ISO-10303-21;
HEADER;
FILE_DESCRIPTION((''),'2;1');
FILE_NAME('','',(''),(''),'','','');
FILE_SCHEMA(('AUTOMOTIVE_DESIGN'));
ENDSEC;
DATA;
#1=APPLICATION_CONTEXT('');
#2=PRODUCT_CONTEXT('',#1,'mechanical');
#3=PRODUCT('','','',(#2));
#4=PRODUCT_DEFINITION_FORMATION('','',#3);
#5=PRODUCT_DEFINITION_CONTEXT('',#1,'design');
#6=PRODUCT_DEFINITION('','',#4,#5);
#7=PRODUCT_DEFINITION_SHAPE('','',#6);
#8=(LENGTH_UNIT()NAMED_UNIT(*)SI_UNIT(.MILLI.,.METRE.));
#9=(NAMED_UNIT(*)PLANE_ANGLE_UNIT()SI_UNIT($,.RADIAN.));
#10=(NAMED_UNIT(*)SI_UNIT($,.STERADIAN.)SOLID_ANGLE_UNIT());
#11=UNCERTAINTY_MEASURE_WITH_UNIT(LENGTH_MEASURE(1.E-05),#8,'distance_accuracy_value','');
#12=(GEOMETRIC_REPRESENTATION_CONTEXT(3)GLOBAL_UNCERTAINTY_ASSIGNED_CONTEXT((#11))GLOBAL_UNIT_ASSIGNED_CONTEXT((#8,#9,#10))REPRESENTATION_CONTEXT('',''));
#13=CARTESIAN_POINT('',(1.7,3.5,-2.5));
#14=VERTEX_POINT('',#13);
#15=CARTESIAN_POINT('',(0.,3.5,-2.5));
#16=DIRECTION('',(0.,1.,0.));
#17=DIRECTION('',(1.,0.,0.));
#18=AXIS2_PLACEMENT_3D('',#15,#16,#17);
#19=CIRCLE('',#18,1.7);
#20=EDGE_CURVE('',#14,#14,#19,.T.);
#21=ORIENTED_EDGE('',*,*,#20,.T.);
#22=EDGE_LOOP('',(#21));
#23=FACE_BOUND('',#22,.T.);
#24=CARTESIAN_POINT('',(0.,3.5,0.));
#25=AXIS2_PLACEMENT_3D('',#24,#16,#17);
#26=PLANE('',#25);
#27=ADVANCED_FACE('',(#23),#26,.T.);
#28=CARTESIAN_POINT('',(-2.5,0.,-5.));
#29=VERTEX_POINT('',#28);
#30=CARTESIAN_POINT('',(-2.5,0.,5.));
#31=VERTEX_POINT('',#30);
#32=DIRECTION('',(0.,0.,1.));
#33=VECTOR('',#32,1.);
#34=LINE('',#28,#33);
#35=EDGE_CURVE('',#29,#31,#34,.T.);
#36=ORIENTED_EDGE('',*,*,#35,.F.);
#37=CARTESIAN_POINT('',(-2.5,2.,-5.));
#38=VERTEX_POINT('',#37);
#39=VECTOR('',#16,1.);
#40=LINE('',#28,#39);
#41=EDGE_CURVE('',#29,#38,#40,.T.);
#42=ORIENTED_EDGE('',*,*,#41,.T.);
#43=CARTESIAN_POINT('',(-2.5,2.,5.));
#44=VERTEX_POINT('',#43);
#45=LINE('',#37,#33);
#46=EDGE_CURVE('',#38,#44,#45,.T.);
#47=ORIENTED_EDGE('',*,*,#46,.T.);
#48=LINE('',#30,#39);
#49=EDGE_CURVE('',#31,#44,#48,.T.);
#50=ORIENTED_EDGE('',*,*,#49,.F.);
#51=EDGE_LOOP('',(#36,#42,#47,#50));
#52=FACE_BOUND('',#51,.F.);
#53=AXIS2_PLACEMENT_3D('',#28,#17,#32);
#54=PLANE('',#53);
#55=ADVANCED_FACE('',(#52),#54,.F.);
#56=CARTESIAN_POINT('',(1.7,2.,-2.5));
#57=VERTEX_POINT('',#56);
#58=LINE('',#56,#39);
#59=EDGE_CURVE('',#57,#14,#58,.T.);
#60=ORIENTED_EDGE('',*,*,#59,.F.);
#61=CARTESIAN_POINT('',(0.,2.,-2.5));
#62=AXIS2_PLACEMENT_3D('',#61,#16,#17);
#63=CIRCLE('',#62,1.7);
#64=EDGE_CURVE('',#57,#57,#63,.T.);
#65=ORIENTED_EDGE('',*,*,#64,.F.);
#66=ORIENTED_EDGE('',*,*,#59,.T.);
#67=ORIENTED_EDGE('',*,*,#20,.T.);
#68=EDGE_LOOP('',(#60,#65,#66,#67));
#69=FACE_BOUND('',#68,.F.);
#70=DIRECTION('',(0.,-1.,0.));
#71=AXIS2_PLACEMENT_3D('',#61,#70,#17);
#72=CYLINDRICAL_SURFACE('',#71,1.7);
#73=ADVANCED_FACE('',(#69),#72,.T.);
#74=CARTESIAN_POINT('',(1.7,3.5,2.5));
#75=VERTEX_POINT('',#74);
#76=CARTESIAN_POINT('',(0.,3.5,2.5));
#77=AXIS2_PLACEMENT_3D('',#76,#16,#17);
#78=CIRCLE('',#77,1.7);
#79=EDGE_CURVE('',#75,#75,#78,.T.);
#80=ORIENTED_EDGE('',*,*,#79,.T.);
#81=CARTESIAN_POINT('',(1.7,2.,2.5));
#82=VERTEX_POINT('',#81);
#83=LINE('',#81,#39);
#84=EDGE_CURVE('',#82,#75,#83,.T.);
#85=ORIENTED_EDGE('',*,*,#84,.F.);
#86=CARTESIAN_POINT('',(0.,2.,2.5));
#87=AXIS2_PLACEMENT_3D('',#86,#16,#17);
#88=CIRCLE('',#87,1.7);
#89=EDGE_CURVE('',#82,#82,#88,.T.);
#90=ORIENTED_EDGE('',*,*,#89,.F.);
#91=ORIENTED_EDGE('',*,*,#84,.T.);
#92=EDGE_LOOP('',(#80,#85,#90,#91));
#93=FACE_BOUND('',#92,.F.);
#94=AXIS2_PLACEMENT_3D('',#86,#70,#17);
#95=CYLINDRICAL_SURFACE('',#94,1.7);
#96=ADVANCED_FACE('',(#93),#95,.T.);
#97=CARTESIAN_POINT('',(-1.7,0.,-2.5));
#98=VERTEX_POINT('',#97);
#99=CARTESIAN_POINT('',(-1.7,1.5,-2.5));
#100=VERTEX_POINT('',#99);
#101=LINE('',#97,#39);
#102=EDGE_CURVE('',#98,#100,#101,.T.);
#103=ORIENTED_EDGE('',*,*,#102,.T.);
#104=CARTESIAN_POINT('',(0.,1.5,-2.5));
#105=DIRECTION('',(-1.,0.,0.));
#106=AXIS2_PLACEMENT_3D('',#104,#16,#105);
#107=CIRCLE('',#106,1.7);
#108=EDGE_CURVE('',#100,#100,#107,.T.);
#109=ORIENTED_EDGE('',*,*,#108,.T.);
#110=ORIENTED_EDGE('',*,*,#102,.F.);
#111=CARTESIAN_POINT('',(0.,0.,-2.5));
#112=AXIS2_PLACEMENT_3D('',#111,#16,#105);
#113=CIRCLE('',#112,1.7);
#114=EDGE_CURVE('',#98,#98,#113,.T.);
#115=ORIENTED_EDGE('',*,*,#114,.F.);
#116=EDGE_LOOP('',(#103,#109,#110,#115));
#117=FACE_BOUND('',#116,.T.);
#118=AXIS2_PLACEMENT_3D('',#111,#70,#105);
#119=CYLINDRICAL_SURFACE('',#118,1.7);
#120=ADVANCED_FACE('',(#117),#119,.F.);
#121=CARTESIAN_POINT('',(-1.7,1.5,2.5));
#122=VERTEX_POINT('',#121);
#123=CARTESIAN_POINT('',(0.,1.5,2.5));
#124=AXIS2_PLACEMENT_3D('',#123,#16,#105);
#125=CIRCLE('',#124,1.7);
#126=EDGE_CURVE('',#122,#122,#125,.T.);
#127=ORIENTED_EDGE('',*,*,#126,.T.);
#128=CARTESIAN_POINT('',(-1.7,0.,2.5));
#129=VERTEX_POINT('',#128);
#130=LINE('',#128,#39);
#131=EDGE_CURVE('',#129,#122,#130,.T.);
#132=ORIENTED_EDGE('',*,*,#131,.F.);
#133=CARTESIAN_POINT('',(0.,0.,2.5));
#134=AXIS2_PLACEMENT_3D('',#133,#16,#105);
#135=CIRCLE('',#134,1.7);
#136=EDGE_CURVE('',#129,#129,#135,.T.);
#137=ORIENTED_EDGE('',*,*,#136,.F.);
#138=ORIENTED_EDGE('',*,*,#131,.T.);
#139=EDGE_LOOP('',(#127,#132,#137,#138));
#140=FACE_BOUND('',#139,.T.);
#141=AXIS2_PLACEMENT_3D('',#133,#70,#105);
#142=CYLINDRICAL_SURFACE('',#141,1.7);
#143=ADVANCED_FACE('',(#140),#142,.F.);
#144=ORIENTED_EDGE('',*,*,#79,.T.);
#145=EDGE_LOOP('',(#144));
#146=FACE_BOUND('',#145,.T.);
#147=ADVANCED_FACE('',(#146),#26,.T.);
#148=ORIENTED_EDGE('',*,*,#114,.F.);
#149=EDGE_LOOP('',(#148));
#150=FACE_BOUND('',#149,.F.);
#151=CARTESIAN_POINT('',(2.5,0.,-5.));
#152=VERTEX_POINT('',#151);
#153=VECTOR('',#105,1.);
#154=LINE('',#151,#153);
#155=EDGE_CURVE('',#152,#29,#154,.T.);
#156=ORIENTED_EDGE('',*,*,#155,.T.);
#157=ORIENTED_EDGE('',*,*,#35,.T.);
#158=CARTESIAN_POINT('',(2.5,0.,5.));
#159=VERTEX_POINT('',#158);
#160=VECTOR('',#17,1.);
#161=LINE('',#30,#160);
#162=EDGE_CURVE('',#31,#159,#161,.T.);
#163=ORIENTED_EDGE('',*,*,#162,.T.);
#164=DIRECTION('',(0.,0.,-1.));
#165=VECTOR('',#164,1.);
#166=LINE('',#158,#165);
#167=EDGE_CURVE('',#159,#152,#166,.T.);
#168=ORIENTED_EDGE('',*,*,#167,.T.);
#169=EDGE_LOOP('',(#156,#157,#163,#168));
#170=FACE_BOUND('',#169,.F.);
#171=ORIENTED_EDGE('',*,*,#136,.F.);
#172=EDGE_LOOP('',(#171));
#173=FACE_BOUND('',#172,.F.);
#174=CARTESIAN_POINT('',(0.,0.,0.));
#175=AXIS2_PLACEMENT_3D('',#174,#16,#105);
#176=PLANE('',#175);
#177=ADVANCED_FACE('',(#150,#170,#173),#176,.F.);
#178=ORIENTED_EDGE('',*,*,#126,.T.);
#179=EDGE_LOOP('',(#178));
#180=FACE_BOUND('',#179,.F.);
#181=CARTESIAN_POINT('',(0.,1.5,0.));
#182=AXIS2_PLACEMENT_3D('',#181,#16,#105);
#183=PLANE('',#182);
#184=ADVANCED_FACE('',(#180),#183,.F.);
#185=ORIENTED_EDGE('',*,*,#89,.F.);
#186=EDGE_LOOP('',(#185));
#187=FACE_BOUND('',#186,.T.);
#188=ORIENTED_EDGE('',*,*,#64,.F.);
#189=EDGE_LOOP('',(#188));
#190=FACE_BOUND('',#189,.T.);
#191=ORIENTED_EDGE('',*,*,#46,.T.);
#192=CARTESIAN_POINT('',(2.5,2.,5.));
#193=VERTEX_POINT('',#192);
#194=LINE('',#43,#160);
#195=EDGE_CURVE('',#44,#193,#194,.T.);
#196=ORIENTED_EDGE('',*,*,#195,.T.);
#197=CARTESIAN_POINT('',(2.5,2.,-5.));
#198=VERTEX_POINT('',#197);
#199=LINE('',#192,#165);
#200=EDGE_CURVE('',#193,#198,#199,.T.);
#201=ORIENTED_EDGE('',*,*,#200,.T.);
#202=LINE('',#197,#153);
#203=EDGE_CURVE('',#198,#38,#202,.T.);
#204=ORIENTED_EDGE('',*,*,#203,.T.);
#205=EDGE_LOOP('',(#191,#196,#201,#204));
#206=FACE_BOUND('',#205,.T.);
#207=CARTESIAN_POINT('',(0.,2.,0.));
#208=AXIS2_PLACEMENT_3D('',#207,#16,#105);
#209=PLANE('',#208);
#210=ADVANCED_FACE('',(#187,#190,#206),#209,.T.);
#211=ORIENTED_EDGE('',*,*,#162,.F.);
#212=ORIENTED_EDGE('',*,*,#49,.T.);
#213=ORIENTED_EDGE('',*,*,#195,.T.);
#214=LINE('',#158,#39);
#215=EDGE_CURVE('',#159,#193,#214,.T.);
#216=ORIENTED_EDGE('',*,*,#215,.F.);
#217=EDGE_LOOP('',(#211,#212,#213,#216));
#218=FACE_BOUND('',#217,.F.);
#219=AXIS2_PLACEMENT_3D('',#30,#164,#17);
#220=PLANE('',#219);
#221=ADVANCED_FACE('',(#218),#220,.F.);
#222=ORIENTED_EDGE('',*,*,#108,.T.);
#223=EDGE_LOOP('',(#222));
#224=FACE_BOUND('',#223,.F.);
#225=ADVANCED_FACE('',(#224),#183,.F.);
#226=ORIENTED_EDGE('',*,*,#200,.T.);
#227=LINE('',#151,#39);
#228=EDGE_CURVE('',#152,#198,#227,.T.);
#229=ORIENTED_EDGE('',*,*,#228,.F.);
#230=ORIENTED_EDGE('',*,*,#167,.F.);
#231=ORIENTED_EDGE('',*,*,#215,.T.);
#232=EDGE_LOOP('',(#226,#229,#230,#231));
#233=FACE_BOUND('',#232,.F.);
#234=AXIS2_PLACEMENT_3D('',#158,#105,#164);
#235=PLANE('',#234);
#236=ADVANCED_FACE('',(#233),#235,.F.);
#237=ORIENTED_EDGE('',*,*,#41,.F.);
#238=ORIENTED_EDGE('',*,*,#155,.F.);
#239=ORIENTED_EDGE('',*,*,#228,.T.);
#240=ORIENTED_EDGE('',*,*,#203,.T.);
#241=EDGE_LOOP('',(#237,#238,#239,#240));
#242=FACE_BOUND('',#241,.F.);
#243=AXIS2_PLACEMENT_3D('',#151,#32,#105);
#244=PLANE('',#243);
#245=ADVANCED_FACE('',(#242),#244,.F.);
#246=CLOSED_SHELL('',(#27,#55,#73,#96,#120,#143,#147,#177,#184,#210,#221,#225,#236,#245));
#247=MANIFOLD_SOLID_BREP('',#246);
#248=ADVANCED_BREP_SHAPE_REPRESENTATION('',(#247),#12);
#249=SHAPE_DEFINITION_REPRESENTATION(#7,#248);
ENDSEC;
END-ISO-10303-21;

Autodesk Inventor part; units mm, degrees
ref_plane "YZ Plane" through (0, 0, 0) normal (1, 0, 0) x (0, 1, 0)
ref_plane "XZ Plane" through (0, 0, 0) normal (0, 1, 0) x (-1, 0, 0)
ref_plane "XY Plane" through (0, 0, 0) normal (0, 0, 1) x (1, 0, 0)
sketch "草圖1" plane through (0, 0, 0) normal (0, 1, 0) x (-1, 0, 0)
  line L0 (2.5, 5) -> (-2.5, 5)
  line L1 (-2.5, 5) -> (-2.5, -5)
  line L2 (-2.5, -5) -> (2.5, -5)
  line L3 (2.5, -5) -> (2.5, 5)
  circle A0 centre (0, 2.5) radius 1.7
  line L4 (2.5, 0) -> (-2.5, 0) construction
  circle A1 centre (0, -2.5) radius 1.7
  point P0 (0, 0)
  point P1 (0, -5)
  point P2 (0, 5)
  dimension "d0" = 5
  dimension "d1" = 10
  dimension "d2" = 3.4
  dimension "d3" = 2.5
extrude "擠出1" add sketch "草圖1" along normal blind 2 contours L3 L2 L1 L0 | A0 | A1
extrude "擠出2" cut sketch "草圖1" along normal blind 1.5 contours A0 | A1
sketch "草圖2" plane through (0, 2, 0) normal (0, 1, 0) x (1, 0, 0)
  circle A0 centre (0, -2.5) radius 1.7 projected
  circle A1 centre (0, 2.5) radius 1.7 projected
  point P0 (0, 0)
extrude "擠出3" add sketch "草圖2" along normal blind 1.5
properties part number "110033226_ipt_13_草地二"
